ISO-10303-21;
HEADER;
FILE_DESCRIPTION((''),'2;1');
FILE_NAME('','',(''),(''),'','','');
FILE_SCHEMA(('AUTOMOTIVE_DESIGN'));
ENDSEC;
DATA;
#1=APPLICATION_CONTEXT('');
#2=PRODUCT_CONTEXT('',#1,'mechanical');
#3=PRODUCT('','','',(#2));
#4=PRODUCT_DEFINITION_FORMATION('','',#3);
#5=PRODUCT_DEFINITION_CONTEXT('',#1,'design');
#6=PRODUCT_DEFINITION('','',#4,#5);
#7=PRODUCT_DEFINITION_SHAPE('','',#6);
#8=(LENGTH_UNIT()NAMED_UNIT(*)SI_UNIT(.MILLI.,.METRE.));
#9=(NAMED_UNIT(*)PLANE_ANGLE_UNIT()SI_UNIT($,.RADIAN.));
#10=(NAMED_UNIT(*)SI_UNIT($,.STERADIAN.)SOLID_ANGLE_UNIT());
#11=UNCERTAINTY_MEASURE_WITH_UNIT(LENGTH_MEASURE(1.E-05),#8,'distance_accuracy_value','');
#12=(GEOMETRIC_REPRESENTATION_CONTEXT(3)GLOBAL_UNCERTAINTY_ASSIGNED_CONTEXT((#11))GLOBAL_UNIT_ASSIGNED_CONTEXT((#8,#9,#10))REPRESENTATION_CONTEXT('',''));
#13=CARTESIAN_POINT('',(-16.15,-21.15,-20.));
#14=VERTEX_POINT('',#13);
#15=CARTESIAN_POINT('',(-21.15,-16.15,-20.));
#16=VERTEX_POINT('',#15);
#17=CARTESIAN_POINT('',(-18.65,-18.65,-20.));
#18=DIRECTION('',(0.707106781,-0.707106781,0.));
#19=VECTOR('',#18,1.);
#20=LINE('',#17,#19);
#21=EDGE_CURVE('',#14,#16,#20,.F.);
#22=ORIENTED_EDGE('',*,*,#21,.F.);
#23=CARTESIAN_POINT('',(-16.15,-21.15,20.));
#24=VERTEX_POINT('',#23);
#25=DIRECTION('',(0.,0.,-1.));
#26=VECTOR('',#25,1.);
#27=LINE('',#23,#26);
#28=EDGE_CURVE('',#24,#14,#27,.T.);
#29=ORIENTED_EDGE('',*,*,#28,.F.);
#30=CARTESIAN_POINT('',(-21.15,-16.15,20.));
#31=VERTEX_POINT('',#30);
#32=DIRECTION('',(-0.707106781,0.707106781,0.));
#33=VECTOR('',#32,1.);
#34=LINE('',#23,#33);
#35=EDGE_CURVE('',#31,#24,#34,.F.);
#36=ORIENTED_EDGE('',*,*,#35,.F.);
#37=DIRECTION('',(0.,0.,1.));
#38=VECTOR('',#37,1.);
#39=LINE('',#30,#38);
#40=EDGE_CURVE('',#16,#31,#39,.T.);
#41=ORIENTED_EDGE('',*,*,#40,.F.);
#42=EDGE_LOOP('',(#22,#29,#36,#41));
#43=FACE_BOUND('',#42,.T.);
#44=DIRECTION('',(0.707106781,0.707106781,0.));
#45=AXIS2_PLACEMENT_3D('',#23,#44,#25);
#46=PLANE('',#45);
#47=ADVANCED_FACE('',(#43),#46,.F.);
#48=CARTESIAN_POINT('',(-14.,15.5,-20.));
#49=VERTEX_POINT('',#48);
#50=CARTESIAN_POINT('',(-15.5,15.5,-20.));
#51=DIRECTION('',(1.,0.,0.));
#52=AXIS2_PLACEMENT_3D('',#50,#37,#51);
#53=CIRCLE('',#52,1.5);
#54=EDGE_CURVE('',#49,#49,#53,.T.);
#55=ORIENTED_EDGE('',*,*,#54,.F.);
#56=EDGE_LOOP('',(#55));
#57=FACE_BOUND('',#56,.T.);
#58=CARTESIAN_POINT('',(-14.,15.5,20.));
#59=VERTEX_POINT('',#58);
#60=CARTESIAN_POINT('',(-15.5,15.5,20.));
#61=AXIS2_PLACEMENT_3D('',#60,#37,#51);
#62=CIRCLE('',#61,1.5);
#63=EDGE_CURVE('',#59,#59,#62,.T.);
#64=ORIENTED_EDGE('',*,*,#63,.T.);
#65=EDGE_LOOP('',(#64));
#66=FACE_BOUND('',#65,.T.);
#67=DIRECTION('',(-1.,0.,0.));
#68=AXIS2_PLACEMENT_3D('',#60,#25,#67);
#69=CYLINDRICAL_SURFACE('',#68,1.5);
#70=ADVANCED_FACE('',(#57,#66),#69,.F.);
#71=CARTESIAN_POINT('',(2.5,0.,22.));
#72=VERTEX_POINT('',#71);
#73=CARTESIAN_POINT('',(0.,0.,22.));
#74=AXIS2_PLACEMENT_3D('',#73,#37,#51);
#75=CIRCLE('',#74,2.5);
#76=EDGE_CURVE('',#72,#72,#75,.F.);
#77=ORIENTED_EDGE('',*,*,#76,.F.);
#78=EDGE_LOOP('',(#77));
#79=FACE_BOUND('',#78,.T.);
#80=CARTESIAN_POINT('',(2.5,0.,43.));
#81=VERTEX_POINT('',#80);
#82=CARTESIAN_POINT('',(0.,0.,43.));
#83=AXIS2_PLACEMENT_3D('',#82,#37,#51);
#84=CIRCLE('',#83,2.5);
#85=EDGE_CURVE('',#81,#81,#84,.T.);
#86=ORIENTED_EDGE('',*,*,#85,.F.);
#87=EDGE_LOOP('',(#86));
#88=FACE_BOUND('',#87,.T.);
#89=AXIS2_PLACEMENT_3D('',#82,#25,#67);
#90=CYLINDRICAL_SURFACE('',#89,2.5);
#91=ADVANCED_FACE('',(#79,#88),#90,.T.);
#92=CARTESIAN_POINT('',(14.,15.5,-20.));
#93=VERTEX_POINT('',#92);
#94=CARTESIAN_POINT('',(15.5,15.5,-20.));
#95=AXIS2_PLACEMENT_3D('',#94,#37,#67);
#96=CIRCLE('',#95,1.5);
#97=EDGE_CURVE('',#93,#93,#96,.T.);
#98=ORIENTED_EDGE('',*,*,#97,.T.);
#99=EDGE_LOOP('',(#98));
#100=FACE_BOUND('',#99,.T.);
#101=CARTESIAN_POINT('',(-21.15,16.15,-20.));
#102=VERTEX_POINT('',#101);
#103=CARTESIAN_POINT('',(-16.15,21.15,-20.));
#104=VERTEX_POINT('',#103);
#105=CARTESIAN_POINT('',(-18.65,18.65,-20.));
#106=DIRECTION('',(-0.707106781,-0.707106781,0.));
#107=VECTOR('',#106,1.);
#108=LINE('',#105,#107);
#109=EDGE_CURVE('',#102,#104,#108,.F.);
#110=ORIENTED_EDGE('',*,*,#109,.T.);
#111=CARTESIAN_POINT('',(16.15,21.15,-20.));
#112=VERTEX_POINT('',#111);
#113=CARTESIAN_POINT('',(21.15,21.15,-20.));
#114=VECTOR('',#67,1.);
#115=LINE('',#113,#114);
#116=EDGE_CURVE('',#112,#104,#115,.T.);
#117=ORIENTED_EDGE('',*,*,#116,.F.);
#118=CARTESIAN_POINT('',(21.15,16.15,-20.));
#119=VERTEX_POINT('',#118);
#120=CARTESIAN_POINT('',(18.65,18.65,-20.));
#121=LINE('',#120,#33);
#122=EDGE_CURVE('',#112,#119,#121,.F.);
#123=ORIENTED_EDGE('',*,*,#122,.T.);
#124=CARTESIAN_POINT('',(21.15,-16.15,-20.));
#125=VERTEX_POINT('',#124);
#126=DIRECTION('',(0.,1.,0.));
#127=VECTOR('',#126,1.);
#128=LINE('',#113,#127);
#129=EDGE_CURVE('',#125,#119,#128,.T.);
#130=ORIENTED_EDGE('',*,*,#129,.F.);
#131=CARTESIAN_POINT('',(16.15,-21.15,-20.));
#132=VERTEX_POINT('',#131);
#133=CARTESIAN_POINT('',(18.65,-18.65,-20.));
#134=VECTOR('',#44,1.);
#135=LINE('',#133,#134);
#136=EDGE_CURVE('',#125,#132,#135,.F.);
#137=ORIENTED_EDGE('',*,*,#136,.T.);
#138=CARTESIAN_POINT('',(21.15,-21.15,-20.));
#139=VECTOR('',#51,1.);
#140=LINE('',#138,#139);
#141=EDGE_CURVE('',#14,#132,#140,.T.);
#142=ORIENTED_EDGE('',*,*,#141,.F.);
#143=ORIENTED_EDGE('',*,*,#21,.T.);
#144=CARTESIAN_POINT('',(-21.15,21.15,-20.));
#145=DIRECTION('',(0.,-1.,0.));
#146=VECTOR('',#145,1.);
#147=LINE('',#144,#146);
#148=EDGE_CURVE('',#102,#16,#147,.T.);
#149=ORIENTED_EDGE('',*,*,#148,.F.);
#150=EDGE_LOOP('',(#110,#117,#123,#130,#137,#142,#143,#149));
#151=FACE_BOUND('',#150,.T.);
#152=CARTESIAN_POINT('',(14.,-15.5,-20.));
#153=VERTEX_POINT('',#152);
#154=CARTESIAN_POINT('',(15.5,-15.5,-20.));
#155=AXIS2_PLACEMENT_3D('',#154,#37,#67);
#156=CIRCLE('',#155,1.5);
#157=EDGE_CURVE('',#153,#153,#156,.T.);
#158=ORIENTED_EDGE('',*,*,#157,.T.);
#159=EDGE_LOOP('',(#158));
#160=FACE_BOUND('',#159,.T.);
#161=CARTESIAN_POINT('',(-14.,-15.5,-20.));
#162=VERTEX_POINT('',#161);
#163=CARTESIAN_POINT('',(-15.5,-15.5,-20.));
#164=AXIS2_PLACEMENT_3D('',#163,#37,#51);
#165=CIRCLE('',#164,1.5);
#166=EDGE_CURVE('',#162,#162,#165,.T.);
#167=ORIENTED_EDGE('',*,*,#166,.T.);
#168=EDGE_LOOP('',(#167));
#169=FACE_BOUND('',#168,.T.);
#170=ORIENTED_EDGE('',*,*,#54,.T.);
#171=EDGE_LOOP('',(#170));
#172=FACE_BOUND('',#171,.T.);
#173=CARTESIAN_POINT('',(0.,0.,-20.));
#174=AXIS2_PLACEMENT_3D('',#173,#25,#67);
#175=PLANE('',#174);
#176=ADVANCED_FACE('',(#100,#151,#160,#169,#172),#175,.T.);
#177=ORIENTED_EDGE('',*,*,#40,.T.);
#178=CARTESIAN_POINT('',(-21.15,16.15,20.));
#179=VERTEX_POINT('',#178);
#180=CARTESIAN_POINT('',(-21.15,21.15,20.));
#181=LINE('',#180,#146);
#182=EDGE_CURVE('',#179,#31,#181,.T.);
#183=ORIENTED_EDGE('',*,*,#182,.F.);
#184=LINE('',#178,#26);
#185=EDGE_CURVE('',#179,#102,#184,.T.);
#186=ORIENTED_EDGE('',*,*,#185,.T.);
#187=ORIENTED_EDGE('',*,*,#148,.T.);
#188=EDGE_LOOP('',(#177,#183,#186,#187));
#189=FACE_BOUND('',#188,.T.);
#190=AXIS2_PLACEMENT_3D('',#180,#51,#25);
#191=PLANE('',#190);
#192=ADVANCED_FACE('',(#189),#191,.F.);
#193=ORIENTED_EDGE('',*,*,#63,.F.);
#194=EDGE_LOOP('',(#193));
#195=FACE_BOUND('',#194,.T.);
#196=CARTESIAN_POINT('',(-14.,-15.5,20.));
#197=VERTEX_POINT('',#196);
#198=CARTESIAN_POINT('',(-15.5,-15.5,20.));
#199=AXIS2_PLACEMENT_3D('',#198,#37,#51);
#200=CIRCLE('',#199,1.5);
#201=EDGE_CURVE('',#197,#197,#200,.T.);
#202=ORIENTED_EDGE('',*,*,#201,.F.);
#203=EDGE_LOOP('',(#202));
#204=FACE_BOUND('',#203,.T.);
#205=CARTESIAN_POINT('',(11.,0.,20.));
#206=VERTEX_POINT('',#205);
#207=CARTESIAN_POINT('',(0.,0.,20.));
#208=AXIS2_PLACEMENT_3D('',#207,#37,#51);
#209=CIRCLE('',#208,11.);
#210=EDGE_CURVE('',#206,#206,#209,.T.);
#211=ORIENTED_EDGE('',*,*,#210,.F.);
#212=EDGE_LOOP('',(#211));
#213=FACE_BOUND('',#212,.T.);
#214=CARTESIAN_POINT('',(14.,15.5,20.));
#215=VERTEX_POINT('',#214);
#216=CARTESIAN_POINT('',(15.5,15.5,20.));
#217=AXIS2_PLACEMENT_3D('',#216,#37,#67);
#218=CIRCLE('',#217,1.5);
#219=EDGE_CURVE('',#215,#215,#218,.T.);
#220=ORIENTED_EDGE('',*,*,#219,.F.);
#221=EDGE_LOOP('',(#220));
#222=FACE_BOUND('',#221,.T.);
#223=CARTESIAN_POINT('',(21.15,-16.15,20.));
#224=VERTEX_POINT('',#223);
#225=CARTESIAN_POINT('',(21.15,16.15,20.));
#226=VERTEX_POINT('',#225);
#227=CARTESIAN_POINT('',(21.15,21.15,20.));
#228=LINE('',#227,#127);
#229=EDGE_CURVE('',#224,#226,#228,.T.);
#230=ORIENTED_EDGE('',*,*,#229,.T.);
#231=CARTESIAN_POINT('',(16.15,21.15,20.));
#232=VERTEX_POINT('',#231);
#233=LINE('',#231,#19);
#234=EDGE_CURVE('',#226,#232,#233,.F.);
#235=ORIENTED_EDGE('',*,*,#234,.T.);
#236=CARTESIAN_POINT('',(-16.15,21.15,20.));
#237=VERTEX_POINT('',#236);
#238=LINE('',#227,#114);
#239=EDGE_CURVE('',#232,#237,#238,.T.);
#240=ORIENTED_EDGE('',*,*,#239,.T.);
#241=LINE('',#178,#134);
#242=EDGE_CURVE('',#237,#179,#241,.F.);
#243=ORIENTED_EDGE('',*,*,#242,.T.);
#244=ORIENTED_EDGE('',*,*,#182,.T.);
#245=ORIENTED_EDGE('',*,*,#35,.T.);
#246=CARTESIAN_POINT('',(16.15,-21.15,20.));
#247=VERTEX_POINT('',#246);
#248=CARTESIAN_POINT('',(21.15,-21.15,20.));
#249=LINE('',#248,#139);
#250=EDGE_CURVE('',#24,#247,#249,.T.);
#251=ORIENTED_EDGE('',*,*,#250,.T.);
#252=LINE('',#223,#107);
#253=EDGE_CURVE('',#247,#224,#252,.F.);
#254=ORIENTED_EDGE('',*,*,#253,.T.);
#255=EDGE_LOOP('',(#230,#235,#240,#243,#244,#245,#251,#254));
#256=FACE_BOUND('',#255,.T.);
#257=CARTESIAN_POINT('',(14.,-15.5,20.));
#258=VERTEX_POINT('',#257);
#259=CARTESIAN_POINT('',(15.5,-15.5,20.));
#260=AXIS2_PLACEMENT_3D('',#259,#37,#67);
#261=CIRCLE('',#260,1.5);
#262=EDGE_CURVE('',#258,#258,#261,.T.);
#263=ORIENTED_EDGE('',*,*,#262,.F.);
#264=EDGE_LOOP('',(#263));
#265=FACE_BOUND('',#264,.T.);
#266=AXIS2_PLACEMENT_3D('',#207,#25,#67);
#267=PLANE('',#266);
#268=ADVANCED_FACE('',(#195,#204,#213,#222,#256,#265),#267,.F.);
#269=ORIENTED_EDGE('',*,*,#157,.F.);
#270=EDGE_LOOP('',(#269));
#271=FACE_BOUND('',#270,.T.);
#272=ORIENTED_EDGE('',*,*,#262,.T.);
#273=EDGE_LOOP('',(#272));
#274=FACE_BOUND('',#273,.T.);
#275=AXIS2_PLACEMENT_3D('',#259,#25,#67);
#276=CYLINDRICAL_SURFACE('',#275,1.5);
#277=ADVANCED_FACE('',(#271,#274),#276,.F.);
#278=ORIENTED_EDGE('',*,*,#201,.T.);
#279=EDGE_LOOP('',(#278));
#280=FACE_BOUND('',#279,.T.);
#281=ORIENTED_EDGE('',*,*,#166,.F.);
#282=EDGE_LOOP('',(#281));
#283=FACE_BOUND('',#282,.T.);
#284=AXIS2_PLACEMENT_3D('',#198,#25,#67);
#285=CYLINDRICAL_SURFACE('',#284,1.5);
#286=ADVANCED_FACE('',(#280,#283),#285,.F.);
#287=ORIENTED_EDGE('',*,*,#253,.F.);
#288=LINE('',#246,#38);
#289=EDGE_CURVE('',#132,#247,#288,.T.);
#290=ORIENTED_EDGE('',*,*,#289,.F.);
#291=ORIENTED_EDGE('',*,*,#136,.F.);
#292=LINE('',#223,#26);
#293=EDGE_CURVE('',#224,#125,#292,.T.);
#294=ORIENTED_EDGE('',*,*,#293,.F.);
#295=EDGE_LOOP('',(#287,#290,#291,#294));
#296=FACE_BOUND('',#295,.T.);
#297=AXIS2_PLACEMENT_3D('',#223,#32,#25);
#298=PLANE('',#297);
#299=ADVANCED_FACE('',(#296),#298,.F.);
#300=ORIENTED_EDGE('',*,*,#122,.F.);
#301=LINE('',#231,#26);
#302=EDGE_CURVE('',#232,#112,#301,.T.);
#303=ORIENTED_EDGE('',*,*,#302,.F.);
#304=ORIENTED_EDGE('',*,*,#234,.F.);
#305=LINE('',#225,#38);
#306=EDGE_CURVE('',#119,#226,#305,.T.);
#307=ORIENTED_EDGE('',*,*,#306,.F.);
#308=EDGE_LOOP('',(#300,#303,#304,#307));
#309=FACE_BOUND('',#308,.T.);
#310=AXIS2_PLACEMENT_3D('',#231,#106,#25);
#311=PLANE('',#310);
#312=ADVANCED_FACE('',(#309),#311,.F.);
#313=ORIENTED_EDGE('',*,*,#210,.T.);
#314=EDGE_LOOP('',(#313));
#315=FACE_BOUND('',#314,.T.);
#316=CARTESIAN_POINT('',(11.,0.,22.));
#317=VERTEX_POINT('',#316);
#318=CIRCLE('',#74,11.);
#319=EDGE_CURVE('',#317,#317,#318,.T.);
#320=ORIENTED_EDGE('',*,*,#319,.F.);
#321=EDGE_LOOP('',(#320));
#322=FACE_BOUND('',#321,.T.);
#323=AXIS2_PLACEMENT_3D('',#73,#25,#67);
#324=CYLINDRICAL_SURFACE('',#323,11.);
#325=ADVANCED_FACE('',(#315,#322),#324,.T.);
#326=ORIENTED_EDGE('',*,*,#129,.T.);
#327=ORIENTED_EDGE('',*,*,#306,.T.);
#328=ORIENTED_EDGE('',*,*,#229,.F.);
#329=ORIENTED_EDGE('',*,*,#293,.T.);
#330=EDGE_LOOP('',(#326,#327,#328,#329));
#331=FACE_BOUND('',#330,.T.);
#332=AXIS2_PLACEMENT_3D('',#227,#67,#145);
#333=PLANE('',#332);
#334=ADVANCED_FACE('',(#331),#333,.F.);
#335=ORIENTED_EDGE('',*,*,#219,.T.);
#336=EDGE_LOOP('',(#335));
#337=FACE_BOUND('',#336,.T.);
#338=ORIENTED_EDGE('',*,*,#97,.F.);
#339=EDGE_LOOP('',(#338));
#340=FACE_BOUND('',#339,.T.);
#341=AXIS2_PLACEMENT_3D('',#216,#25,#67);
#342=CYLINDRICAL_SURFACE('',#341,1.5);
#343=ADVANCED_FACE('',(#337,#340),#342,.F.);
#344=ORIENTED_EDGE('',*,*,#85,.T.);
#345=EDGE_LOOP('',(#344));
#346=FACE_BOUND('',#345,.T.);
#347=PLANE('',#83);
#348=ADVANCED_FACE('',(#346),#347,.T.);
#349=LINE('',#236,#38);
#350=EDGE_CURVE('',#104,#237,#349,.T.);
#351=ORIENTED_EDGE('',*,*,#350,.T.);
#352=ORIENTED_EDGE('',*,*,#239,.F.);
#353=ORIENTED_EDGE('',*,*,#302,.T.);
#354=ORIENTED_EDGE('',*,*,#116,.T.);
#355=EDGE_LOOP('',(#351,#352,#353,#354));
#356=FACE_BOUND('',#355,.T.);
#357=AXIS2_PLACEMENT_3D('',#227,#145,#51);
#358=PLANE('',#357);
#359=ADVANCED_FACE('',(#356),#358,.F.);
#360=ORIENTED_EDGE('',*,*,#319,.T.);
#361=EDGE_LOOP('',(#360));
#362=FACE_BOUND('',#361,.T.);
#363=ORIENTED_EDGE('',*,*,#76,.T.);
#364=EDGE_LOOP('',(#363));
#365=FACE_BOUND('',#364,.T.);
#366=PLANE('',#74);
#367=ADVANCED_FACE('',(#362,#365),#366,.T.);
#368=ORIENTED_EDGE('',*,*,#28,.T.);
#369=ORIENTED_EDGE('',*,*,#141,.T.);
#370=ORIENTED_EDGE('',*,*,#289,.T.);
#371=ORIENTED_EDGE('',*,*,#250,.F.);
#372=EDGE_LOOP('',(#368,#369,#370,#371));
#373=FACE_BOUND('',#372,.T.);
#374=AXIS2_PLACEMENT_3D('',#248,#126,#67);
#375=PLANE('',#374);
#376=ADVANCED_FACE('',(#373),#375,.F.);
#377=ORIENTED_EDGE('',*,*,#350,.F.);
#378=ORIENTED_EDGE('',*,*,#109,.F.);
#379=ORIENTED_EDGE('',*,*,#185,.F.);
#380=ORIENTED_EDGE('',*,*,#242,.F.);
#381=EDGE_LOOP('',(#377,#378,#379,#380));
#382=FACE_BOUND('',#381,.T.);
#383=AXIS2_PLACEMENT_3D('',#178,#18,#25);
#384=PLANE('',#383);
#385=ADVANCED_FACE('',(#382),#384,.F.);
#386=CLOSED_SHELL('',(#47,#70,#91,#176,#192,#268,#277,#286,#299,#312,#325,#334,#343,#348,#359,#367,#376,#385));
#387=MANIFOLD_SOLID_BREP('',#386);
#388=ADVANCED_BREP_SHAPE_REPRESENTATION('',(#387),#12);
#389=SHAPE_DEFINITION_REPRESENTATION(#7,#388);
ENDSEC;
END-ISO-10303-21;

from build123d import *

# Parameters (mm, degrees)
CROQUIS1_W              = 42.3
CROQUIS1_H              = 42.3
CROQUIS1_R              = 1.5
SALIENTE_EXTRUIR1_DEPTH = 20
CROQUIS2_R              = 11
SALIENTE_EXTRUIR2_DEPTH = 2
CROQUIS3_R              = 2.5
SALIENTE_EXTRUIR3_DEPTH = 23
CHAFL_N1_SIZE           = 5


with BuildPart() as part:
    # Croquis1 → Saliente-Extruir1 (new, symmetric)
    with BuildSketch(Plane.XY):
        Rectangle(CROQUIS1_W, CROQUIS1_H)
        with Locations((-15.5, 15.5)):
            Circle(CROQUIS1_R, mode=Mode.SUBTRACT)
        with Locations((-15.5, -15.5)):
            Circle(CROQUIS1_R, mode=Mode.SUBTRACT)
        with Locations(Location((15.5, -15.5, 0), (0, 0, 180))):
            Circle(CROQUIS1_R, mode=Mode.SUBTRACT)
        with Locations(Location((15.5, 15.5, 0), (0, 0, 180))):
            Circle(CROQUIS1_R, mode=Mode.SUBTRACT)
    extrude(amount=SALIENTE_EXTRUIR1_DEPTH, both=True)

    # Croquis2 → Saliente-Extruir2 (add)
    with BuildSketch(Plane.XY.offset(20)):
        Circle(CROQUIS2_R)
    extrude(amount=SALIENTE_EXTRUIR2_DEPTH)

    # Croquis3 → Saliente-Extruir3 (add)
    with BuildSketch(Plane.XY.offset(20)):
        Circle(CROQUIS3_R)
    extrude(amount=SALIENTE_EXTRUIR3_DEPTH)

    # Chaflán1
    chafl_n1_edges = [part.edges().sort_by_distance(p)[0] for p in [
        (-21.15, 21.15, 0),
        (21.15, 21.15, 0),
        (21.15, -21.15, 0),
        (-21.15, -21.15, 0),
    ]]
    chamfer(chafl_n1_edges, length=CHAFL_N1_SIZE)


solid = part.part
